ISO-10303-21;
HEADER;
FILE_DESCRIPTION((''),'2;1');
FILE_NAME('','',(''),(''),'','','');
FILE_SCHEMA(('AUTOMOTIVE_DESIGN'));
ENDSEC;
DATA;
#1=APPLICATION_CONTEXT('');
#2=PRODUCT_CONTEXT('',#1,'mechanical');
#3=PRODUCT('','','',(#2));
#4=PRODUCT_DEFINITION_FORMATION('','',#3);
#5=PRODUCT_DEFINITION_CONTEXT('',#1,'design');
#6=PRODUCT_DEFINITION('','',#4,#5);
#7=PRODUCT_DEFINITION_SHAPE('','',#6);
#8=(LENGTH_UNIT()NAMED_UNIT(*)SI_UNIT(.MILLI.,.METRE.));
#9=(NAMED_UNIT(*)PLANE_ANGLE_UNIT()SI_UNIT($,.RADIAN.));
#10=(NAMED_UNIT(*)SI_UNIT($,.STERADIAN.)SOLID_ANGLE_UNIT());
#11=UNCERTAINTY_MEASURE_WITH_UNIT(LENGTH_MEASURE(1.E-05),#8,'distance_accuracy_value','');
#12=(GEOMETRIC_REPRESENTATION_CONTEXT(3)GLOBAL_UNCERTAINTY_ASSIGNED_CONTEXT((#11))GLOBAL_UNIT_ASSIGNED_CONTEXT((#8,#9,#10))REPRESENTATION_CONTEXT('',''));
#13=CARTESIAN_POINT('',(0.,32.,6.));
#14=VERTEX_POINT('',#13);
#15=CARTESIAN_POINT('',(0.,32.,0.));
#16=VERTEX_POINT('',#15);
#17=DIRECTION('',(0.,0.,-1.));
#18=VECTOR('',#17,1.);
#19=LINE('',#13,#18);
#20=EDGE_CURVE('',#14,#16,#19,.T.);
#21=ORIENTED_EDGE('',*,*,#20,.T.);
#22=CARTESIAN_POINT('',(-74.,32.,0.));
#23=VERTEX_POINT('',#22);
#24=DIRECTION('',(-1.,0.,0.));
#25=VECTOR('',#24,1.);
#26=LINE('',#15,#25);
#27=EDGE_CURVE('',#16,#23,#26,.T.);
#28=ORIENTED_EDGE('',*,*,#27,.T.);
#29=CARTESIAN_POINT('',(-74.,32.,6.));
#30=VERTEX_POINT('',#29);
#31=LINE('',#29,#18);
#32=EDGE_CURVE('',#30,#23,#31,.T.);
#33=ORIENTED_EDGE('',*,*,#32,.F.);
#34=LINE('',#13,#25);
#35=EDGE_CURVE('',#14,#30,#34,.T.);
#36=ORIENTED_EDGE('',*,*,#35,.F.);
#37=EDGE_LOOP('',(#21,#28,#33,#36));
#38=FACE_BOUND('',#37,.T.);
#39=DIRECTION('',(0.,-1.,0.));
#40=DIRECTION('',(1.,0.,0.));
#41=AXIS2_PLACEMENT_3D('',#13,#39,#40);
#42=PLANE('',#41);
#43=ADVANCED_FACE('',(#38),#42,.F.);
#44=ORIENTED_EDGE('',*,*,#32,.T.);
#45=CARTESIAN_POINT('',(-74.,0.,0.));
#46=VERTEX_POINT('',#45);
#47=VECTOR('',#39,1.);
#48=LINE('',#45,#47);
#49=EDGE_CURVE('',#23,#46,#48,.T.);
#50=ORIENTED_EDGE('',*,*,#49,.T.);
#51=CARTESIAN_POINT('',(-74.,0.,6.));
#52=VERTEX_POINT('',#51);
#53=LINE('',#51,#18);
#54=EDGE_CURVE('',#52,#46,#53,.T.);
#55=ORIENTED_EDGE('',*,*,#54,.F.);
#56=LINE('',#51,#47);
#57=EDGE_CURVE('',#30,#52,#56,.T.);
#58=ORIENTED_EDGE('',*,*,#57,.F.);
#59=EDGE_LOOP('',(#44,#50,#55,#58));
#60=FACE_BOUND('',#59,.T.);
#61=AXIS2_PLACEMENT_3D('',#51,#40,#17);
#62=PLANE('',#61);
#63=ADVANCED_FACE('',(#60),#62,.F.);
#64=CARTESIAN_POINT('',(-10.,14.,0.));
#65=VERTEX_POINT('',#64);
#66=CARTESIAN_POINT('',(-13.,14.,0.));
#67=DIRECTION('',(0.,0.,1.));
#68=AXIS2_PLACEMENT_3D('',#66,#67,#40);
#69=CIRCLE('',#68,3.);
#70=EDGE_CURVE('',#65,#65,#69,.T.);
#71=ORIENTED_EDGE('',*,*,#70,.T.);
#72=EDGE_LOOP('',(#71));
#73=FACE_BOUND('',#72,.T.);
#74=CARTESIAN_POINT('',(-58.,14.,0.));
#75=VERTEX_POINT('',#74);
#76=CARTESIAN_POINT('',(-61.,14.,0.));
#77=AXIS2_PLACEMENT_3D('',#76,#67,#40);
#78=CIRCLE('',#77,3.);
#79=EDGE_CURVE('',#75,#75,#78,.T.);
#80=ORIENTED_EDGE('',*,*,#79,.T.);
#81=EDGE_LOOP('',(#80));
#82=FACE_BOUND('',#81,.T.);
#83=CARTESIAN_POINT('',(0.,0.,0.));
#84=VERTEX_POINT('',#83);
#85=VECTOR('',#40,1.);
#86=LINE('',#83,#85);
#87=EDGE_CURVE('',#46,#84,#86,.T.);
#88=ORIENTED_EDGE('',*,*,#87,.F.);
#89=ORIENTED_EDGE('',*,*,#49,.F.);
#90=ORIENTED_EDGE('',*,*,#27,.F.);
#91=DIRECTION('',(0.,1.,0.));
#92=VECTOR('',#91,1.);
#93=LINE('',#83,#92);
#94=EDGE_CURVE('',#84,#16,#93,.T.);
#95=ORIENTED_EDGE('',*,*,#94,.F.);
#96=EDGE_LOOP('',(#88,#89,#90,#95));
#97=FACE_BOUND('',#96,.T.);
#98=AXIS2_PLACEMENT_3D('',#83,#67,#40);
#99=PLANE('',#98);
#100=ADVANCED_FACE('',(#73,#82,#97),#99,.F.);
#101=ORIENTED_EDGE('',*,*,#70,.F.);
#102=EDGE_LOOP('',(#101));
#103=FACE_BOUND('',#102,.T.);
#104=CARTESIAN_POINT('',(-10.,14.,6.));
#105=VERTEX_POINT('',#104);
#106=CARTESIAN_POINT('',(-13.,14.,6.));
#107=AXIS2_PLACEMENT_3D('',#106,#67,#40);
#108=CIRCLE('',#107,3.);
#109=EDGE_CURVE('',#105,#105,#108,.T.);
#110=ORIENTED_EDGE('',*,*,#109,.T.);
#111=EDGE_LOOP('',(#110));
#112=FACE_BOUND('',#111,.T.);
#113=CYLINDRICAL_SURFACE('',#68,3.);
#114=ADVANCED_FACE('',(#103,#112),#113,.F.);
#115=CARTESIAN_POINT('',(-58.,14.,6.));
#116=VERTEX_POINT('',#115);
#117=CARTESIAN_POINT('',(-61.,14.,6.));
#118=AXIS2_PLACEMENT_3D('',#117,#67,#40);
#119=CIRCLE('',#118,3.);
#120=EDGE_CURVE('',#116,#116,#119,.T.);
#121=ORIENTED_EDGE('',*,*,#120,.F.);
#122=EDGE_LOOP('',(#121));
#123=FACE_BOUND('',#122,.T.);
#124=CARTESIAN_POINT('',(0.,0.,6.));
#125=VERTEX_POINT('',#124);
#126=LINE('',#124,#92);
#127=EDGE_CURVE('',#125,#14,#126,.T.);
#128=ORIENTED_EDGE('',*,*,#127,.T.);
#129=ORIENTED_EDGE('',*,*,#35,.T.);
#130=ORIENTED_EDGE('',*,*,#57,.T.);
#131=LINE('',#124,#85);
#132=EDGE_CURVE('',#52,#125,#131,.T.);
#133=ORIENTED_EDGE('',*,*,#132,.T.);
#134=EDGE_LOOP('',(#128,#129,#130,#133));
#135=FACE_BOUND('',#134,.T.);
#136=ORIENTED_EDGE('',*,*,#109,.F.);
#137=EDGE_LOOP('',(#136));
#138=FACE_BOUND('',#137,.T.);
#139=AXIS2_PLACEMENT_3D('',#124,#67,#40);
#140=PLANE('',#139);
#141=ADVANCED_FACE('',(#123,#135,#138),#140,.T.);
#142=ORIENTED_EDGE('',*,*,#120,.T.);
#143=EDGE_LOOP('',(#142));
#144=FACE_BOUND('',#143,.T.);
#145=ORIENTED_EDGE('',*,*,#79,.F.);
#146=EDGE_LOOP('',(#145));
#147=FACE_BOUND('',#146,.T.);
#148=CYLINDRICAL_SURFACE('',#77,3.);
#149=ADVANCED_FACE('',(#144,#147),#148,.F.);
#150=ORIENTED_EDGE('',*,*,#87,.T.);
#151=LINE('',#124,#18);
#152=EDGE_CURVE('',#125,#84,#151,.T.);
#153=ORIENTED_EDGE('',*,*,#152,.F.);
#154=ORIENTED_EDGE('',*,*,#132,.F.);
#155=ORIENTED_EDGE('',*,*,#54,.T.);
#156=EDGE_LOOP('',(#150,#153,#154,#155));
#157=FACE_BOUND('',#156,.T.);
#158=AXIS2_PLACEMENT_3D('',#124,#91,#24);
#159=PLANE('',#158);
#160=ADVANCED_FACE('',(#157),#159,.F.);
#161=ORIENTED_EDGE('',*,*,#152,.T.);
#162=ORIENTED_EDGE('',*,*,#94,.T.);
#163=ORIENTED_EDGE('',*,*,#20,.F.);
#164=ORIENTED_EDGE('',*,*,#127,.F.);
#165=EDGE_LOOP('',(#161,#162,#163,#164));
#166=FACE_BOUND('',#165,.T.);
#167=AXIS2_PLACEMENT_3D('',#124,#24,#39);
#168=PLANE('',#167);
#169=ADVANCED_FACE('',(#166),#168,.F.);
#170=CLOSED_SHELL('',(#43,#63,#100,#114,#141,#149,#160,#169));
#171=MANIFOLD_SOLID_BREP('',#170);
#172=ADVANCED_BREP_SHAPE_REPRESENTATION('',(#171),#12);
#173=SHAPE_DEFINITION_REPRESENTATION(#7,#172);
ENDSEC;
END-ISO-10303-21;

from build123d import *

# Parameters (mm, degrees)
SKETCH1_W           = 74
SKETCH1_H           = 32
BOSS_EXTRUDE1_DEPTH = 6
SKETCH2_R           = 3
CUT_EXTRUDE1_DEPTH  = 6


with BuildPart() as part:
    # Sketch1 → Boss-Extrude1 (new body)
    with BuildSketch(Plane.XY):
        with Locations((-37, 16)):
            Rectangle(SKETCH1_W, SKETCH1_H)
    extrude(amount=BOSS_EXTRUDE1_DEPTH)

    # Sketch2 → Cut-Extrude1 (cut)
    with BuildSketch(Plane.XY.offset(6)):
        with Locations((-13, 14)):
            Circle(SKETCH2_R)
        with Locations((-61, 14)):
            Circle(SKETCH2_R)
    extrude(amount=-CUT_EXTRUDE1_DEPTH, mode=Mode.SUBTRACT)


solid = part.part
